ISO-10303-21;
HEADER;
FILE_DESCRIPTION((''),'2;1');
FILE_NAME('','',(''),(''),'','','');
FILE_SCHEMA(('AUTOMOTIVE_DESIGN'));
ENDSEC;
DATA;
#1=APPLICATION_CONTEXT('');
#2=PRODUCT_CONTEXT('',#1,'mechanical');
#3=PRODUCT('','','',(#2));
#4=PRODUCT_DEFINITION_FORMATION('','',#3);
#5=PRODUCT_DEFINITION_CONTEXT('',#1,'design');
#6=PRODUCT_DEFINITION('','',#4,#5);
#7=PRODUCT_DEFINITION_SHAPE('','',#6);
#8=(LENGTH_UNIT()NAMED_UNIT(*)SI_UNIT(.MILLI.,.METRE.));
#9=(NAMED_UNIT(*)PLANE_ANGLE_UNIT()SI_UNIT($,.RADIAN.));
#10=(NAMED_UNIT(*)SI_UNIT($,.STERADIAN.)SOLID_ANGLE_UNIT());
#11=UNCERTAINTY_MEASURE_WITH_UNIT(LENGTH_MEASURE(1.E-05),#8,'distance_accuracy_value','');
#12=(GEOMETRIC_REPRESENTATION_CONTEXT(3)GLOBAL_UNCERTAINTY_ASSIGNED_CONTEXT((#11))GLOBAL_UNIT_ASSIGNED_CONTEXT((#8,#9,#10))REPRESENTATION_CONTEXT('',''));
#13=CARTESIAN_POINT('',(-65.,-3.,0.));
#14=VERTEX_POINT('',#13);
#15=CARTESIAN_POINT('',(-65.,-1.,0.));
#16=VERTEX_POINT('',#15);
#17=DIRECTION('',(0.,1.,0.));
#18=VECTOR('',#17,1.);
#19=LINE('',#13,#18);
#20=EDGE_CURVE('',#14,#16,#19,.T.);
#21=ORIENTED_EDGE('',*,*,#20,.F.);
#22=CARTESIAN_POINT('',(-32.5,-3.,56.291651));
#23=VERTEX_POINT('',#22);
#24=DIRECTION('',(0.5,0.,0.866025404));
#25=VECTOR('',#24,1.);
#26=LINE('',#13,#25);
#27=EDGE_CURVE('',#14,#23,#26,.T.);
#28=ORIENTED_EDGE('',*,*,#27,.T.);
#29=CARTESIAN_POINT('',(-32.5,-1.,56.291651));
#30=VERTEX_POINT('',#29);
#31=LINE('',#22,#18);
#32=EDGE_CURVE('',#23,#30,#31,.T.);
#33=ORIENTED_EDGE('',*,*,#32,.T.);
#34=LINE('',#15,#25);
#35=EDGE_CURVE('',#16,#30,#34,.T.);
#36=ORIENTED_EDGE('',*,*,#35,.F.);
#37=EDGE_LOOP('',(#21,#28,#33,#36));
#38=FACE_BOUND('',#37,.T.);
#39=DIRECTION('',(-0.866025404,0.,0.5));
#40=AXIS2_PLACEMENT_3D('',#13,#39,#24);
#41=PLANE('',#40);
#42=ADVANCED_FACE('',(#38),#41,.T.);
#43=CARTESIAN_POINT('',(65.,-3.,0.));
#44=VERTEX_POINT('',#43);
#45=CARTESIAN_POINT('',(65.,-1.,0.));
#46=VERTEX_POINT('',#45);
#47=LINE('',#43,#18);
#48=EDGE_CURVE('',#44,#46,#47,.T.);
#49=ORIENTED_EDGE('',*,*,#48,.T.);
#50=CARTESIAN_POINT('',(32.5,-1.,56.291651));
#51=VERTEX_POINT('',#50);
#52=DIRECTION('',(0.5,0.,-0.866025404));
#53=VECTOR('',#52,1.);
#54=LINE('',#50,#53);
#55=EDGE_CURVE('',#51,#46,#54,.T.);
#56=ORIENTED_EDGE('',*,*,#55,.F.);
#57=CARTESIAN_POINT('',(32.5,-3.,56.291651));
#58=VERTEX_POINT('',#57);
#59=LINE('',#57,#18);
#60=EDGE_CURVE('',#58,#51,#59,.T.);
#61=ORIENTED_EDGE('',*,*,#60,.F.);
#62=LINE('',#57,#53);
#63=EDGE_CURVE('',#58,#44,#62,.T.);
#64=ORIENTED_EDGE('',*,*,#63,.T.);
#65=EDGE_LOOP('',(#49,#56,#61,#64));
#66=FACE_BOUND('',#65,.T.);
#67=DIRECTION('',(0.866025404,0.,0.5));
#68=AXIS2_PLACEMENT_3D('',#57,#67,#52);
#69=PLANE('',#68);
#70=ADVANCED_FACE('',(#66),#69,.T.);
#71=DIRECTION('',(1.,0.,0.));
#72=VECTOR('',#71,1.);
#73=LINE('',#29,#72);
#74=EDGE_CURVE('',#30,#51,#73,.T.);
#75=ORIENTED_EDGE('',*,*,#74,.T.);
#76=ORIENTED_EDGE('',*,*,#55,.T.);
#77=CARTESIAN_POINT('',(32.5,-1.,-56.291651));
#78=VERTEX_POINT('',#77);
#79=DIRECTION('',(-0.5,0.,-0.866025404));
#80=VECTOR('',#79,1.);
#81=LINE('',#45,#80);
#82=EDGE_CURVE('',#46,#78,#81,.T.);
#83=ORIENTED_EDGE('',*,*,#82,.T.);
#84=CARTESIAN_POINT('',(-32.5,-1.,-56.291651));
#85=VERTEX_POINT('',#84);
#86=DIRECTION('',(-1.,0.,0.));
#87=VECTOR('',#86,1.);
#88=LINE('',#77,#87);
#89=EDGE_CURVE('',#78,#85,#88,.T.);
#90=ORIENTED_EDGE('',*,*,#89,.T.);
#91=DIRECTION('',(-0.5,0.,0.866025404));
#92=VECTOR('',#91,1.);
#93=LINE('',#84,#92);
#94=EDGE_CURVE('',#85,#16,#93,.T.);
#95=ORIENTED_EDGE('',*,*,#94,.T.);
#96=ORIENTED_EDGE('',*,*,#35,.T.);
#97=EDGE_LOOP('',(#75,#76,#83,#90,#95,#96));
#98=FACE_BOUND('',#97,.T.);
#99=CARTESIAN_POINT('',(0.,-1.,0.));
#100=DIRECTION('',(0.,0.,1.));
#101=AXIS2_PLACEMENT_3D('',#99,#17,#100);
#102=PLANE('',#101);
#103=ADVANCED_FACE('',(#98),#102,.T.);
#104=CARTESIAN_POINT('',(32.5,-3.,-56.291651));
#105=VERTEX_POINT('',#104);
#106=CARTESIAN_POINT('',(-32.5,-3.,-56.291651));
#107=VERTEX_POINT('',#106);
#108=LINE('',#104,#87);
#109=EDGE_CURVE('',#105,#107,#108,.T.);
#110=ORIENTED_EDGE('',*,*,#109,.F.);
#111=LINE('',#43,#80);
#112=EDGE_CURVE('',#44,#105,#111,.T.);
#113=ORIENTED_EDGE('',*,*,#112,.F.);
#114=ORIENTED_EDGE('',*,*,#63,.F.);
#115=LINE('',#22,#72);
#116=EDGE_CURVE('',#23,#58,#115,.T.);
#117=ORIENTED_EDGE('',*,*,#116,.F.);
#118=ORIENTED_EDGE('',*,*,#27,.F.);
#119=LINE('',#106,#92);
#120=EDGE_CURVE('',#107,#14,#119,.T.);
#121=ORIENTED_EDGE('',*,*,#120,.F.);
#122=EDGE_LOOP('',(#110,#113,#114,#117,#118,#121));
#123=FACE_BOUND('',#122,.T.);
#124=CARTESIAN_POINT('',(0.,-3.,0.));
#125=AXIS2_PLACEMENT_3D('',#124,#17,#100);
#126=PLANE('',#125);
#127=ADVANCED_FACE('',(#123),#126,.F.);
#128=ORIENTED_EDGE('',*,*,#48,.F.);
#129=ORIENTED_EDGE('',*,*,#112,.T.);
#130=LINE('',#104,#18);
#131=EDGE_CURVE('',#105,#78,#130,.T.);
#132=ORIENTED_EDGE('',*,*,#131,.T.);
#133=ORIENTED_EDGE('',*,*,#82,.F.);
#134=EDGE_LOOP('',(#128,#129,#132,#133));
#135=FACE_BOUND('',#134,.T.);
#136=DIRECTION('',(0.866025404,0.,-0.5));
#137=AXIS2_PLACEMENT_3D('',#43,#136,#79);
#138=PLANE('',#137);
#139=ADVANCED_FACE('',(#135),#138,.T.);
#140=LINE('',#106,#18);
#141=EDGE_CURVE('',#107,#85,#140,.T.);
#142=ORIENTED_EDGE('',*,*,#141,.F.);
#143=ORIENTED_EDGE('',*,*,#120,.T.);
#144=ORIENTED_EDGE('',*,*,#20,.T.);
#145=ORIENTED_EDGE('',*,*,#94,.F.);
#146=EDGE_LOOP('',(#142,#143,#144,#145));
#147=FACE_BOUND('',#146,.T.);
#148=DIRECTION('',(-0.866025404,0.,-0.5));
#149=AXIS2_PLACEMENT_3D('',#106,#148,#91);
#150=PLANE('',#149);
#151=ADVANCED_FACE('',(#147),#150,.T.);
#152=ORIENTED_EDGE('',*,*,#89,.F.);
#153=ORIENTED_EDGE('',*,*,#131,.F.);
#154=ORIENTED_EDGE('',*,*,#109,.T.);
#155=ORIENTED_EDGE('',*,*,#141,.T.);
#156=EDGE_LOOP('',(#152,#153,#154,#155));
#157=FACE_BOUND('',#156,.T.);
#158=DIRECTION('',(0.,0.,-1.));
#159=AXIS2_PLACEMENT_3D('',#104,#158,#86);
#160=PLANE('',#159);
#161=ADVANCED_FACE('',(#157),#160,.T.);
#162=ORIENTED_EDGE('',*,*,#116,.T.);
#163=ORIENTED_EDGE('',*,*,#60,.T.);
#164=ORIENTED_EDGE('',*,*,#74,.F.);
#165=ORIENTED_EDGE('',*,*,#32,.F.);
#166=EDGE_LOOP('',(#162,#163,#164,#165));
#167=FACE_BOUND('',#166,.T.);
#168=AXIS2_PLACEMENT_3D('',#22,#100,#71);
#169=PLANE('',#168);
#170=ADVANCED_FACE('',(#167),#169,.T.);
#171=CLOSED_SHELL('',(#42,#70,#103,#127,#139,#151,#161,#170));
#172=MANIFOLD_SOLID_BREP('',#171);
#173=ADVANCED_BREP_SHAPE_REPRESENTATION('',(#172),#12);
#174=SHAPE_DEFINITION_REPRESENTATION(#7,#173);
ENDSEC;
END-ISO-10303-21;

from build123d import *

# Parameters (mm, degrees)
EXTRUDE_1_DEPTH = 2


with BuildPart() as part:
    # 草图1 → 凸台-拉伸1 (new body)
    with BuildSketch(Plane(origin=(0, -1, 0), x_dir=(1, 0, 0), z_dir=(0, 1, 0))):
        Polygon((65, 0), (32.5, 56.291651246), (-32.5, 56.291651246), (-65, 0), (-32.5, -56.291651246), (32.5, -56.291651246), align=None)
    extrude(amount=-EXTRUDE_1_DEPTH)


solid = part.part
